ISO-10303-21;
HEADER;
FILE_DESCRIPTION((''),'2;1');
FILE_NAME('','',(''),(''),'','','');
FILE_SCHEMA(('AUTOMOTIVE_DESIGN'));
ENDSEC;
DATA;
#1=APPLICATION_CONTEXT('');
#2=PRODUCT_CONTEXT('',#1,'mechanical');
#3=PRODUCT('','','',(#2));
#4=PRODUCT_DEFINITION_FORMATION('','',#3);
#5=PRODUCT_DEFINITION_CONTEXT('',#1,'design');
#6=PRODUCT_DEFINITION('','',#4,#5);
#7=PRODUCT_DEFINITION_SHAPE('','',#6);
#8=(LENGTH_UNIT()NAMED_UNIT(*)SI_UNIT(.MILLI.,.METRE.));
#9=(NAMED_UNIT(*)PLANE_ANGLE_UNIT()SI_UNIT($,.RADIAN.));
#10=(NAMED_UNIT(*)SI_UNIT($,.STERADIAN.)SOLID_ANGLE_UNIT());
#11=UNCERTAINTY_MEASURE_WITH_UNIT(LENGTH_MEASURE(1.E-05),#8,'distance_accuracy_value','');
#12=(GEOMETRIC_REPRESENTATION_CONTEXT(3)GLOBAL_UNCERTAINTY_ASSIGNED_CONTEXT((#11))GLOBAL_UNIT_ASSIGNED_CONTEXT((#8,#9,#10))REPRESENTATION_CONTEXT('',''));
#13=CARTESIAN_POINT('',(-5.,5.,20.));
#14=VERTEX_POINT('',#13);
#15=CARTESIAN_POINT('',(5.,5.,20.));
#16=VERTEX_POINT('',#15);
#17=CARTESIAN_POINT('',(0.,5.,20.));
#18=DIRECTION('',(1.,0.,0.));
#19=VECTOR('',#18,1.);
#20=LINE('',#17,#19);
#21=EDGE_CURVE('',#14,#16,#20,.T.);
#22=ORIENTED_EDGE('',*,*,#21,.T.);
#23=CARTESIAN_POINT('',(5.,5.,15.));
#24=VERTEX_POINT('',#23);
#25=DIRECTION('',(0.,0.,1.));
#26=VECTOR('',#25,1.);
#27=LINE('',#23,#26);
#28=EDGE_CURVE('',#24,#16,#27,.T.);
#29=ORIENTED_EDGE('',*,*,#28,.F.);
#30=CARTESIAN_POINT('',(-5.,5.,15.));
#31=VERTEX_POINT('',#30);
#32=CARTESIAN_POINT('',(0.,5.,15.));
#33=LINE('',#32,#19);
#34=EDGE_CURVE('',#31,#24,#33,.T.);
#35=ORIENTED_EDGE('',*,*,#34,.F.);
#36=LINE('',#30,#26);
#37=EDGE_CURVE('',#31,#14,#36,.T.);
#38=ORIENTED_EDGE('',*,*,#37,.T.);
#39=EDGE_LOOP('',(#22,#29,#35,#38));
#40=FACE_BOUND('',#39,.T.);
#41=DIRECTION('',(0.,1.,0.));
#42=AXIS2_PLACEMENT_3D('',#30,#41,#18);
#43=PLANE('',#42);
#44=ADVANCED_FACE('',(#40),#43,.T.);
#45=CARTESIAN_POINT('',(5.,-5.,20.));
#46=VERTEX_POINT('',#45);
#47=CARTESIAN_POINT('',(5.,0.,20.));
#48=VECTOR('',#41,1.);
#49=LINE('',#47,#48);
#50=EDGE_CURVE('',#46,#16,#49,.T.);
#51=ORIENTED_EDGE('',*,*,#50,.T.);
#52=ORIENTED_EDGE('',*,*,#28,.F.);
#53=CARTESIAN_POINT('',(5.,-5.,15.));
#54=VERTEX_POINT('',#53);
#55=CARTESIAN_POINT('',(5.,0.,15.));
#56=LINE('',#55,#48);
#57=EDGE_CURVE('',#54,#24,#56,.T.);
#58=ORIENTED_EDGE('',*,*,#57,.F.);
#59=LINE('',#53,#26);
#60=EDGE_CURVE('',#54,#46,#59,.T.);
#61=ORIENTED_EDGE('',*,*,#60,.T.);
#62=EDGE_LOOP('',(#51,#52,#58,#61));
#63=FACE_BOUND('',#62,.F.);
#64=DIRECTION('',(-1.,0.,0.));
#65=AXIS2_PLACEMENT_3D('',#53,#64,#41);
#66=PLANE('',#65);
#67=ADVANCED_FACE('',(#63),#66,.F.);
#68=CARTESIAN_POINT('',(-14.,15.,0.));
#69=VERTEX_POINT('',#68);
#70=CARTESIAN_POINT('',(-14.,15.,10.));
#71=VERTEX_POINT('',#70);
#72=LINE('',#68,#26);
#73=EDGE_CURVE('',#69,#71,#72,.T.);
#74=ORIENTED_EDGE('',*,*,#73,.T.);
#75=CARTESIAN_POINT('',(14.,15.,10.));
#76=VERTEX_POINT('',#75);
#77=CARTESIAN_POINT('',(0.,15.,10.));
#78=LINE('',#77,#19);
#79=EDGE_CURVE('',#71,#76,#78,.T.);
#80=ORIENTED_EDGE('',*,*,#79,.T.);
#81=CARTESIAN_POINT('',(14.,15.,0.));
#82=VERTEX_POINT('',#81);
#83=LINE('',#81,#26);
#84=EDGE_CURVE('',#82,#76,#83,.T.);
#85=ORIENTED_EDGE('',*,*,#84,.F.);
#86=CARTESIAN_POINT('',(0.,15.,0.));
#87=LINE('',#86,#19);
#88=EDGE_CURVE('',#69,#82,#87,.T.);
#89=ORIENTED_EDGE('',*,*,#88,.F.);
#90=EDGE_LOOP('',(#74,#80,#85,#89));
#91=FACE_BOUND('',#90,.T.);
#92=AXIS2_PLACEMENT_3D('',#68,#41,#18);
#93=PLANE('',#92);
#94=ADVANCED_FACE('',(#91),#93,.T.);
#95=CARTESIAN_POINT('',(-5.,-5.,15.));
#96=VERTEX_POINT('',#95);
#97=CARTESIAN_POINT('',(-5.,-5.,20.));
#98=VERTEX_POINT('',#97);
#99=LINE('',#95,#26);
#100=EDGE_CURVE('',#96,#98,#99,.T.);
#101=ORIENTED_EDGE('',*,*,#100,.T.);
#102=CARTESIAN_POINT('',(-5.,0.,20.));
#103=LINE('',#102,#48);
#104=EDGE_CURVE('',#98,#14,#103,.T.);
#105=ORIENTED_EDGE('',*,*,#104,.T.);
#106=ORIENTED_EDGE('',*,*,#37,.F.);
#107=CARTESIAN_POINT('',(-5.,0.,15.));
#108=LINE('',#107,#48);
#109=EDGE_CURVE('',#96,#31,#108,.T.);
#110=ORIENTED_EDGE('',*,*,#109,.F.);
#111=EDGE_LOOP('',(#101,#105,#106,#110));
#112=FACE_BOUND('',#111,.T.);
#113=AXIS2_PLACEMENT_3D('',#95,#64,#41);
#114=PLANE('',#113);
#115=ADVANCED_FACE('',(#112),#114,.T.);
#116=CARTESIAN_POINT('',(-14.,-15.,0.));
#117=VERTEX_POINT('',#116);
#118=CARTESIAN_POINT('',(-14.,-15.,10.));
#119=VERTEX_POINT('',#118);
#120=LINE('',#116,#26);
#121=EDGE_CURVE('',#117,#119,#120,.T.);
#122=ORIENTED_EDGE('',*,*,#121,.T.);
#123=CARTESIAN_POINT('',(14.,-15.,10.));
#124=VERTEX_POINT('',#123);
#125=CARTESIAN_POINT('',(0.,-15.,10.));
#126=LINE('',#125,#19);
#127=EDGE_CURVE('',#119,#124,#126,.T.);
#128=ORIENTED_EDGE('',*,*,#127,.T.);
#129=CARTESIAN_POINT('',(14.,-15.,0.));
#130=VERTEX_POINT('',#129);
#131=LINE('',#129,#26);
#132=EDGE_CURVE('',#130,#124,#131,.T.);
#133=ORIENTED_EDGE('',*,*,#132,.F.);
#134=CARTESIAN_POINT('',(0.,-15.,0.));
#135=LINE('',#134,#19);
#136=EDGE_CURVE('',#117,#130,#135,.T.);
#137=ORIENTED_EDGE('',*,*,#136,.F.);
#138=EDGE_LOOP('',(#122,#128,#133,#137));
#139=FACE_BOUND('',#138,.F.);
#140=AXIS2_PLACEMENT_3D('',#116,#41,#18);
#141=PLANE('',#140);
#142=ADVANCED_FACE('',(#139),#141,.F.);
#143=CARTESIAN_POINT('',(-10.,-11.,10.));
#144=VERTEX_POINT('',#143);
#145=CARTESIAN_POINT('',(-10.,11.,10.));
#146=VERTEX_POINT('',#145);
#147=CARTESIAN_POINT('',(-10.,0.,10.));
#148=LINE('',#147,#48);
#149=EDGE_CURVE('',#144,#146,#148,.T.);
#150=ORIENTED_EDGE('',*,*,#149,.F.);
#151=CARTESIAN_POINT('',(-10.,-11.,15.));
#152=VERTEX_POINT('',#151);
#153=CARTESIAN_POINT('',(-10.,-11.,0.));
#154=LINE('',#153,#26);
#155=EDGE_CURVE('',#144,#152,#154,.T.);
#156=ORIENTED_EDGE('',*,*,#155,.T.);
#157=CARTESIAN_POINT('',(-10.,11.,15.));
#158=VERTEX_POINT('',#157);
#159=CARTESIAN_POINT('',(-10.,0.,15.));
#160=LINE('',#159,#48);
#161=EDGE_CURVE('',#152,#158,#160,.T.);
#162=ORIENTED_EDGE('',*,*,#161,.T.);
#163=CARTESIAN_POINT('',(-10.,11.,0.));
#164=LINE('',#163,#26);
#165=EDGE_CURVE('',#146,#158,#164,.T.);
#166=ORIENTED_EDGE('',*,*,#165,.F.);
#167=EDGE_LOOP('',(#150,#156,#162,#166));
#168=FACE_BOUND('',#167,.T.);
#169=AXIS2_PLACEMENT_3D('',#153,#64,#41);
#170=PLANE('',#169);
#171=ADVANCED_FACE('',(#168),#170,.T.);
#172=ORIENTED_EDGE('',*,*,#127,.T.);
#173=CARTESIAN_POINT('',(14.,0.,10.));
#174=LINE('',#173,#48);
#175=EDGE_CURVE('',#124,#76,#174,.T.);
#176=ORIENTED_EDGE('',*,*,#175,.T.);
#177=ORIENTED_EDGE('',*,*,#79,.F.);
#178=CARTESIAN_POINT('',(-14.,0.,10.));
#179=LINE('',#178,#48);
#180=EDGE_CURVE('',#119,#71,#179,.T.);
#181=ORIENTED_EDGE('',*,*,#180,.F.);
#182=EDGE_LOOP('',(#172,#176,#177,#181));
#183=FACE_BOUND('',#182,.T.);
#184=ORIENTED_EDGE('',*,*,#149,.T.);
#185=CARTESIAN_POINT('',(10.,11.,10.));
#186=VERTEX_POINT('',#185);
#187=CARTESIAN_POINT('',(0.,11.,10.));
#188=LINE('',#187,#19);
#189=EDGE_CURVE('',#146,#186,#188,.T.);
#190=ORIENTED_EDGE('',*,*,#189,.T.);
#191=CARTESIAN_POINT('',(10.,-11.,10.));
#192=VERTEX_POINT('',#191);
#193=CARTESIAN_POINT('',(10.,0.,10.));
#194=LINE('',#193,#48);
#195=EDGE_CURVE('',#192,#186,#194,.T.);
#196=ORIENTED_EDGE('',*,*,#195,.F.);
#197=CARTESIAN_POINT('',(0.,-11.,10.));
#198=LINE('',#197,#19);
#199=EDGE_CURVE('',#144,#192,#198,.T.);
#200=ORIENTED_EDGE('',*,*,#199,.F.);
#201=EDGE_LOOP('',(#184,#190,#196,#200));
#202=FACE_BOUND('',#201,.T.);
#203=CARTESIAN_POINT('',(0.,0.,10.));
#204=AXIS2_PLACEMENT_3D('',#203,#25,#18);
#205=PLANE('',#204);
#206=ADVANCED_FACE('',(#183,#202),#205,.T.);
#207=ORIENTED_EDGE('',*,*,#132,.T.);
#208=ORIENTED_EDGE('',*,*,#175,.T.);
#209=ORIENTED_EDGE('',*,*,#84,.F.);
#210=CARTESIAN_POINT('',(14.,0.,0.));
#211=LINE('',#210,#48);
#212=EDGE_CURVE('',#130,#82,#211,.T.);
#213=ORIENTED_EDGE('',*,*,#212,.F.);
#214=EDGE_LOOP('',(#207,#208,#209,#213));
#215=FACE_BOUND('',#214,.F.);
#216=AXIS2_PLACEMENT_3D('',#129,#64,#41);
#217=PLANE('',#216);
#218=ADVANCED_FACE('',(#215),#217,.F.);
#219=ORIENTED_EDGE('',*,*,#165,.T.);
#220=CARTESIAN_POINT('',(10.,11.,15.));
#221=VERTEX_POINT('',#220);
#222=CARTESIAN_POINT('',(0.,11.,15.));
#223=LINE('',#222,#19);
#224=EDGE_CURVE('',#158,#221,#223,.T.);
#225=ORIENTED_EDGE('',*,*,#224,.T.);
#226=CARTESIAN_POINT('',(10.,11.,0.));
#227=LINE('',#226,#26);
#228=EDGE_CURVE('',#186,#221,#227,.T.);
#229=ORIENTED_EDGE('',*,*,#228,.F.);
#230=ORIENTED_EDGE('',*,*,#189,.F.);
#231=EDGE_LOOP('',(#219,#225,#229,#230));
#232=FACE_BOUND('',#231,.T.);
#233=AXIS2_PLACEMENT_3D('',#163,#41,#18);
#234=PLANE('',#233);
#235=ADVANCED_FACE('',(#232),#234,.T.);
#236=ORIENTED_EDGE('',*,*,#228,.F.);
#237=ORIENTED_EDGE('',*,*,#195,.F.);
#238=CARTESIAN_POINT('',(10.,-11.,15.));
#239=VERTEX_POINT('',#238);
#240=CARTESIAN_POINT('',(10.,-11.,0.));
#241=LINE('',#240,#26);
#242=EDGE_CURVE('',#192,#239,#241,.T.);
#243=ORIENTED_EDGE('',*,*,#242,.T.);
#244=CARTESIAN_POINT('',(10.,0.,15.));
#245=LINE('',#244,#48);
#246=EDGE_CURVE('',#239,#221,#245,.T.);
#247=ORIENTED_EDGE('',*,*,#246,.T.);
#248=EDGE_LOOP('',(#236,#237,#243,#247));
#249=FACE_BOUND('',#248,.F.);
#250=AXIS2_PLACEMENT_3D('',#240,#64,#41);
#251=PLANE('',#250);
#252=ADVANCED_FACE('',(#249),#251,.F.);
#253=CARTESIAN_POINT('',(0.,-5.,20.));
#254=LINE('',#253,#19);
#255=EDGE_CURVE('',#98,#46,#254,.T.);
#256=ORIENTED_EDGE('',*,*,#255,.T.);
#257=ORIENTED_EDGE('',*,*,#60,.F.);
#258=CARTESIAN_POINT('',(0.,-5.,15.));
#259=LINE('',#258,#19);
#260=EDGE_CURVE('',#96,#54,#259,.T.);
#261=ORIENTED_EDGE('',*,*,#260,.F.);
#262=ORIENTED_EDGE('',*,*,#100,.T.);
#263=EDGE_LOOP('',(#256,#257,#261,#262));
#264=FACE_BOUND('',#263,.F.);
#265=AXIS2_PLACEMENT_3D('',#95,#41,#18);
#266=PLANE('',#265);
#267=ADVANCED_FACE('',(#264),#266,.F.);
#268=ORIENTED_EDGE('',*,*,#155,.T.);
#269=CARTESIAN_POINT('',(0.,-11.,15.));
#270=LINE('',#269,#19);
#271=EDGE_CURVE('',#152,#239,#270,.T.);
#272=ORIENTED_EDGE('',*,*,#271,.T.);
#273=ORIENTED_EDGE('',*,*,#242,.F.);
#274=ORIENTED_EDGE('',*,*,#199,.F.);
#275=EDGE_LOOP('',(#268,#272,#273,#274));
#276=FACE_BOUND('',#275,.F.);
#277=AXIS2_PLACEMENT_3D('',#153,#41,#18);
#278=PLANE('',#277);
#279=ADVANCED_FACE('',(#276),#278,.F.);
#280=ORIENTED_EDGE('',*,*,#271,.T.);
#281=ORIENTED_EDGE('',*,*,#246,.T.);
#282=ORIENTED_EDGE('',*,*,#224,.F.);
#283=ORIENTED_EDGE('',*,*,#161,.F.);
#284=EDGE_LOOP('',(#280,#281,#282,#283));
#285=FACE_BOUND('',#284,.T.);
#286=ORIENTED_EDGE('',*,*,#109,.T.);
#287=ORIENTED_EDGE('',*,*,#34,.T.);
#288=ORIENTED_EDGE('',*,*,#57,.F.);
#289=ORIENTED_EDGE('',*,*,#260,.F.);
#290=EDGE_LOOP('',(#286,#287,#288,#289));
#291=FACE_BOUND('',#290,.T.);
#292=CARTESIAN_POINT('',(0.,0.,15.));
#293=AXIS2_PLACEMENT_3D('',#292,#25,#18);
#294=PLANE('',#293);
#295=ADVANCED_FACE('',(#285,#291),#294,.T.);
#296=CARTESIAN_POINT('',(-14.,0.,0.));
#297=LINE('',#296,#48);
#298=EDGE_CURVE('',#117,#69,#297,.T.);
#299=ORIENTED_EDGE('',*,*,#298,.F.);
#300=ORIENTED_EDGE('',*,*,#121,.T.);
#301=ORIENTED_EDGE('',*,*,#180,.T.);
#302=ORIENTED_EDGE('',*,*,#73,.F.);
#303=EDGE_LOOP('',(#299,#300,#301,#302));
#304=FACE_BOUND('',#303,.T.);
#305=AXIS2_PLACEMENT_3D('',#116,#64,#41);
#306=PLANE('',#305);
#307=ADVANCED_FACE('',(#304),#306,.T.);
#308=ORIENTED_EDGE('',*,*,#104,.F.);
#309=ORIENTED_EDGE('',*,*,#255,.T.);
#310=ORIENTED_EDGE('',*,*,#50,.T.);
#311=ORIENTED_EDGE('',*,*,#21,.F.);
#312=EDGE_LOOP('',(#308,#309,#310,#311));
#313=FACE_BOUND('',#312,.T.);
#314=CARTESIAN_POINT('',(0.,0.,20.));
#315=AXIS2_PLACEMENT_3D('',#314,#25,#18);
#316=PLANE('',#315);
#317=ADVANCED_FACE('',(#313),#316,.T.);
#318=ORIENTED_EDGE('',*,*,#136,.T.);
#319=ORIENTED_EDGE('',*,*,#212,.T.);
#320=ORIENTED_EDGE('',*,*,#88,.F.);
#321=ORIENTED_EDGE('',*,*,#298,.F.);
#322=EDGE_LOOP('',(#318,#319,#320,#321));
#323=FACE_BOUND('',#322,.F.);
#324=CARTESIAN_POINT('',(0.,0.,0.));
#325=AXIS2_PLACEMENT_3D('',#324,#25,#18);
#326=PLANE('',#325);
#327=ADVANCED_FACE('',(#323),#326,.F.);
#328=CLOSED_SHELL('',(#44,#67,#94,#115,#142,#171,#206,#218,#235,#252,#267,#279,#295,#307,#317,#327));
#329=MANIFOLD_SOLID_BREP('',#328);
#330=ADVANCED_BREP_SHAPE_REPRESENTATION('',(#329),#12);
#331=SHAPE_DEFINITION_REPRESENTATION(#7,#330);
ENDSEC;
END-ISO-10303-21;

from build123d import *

# Parameters (mm, degrees)
F0_W     = 28
F0_H     = 30
F0_W_2   = 20
F0_H_2   = 22
F1_DEPTH = 10
F2_DEPTH = 15
F3_W     = 10
F3_H     = 10
F4_DEPTH = 5


with BuildPart() as f1:
    # F0 (on Top) → F1 (new body)
    with BuildSketch(Plane.XY):
        Rectangle(F0_W, F0_H)
        Rectangle(F0_W_2, F0_H_2, mode=Mode.SUBTRACT)
    extrude(amount=F1_DEPTH)

    # F0 (on Top) → F2 (join)
    with BuildSketch(Plane.XY):
        Rectangle(F0_W_2, F0_H_2)
    extrude(amount=F2_DEPTH)

    # F3 (on face) → F4 (join)
    with BuildSketch(Plane.XY.offset(15)):
        Rectangle(F3_W, F3_H)
    extrude(amount=F4_DEPTH)


solid = f1.part
